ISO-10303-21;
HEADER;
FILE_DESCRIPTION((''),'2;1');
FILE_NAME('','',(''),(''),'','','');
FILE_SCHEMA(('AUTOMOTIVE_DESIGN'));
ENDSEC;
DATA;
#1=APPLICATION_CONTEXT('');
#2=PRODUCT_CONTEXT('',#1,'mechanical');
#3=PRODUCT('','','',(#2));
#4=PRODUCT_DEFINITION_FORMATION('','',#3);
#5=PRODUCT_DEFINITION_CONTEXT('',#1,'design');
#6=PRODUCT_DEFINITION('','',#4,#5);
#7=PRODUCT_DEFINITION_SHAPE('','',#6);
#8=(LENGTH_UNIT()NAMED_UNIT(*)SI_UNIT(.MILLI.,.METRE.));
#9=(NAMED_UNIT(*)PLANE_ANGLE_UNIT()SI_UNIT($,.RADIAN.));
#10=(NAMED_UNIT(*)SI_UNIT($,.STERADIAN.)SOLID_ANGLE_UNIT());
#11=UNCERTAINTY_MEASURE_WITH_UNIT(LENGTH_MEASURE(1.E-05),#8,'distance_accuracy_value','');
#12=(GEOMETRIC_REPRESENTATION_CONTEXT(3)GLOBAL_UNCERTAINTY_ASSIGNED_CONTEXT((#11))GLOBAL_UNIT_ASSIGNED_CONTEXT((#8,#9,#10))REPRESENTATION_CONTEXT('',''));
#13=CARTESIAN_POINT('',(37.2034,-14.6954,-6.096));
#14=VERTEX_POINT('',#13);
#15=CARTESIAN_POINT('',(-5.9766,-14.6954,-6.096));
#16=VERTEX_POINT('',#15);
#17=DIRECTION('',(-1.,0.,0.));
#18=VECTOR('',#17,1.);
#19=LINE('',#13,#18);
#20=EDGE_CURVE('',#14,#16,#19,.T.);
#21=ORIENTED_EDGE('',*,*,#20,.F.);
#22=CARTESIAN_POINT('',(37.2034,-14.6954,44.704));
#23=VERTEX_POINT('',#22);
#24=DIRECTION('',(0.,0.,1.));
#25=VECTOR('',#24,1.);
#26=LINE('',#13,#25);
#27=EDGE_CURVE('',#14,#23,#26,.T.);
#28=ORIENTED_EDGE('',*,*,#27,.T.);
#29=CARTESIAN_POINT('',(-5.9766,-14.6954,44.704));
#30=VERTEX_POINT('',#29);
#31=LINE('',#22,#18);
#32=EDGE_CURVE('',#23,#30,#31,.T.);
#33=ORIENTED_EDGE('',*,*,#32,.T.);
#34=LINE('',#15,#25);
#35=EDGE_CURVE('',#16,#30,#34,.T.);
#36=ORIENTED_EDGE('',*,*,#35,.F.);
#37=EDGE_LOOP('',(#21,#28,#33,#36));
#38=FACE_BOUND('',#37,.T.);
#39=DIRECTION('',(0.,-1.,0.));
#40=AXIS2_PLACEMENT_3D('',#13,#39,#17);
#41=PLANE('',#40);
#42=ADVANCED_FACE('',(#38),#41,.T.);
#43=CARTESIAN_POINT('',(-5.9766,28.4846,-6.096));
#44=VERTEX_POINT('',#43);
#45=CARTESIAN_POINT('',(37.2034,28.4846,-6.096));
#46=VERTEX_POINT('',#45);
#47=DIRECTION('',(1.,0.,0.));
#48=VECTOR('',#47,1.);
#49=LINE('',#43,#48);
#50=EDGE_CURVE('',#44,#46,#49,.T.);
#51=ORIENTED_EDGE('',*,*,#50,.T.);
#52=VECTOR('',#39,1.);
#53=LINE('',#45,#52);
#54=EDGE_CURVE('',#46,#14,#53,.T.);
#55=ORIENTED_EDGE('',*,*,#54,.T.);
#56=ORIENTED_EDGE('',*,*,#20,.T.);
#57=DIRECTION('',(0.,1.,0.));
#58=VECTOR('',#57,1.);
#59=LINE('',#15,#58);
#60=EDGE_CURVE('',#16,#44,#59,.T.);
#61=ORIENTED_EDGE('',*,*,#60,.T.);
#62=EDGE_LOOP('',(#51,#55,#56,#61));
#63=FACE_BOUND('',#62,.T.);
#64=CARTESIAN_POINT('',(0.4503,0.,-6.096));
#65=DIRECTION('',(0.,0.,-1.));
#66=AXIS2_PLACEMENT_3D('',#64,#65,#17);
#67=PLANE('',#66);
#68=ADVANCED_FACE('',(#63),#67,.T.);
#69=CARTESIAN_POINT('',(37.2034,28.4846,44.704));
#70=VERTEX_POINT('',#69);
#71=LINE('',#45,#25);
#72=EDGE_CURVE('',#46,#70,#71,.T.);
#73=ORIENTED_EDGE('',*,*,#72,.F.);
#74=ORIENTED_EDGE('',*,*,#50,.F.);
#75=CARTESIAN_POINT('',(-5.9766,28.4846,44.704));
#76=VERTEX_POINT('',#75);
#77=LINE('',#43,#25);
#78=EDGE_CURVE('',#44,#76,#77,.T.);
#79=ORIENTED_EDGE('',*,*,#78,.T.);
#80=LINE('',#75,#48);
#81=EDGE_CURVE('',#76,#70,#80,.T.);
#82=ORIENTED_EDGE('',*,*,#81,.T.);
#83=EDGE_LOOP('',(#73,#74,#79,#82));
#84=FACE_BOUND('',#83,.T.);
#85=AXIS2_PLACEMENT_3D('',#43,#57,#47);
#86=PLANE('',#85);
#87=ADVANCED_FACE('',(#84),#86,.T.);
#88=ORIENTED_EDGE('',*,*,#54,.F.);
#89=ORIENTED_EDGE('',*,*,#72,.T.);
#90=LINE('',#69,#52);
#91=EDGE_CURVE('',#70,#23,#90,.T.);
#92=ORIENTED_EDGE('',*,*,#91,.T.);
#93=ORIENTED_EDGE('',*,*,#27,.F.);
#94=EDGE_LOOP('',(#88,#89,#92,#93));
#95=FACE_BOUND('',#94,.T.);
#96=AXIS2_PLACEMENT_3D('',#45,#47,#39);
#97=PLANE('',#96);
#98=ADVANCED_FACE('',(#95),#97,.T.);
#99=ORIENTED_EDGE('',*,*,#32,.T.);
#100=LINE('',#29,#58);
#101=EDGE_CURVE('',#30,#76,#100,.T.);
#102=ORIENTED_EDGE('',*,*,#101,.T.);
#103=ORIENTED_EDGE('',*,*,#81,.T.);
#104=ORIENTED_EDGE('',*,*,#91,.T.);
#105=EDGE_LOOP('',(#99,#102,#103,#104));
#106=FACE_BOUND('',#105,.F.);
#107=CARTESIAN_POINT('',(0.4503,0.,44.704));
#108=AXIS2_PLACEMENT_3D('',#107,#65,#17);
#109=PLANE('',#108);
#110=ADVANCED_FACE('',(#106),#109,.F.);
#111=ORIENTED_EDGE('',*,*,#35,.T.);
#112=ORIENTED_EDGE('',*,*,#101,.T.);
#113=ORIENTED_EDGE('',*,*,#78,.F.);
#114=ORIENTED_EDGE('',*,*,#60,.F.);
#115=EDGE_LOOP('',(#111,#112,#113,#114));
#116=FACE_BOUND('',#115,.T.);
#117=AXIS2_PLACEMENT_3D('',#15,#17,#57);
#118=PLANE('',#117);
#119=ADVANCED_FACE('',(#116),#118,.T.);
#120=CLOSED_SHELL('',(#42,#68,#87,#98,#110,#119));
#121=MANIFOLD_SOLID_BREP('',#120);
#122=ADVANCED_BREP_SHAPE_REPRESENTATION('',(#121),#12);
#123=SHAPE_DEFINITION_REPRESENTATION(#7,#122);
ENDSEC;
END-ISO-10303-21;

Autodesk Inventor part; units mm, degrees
ref_plane "YZ Plane" through (0, 0, 0) normal (1, 0, 0) x (0, 1, 0)
ref_plane "XZ Plane" through (0, 0, 0) normal (0, 1, 0) x (-1, 0, 0)
ref_plane "XY Plane" through (0, 0, 0) normal (0, 0, 1) x (1, 0, 0)
ref_plane "Work Plane1" through (0.4503, 0, -6.096) normal (0, 0, -1) x (-1, 0, 0)
sketch "Sketch1" plane through (0.4503, 0, -6.096) normal (0, 0, -1) x (-1, 0, 0)
  line L0 (6.4269, 28.4846) -> (-36.7531, 28.4846)
  line L1 (-36.7531, 28.4846) -> (-36.7531, -14.6954)
  line L2 (-36.7531, -14.6954) -> (6.4269, -14.6954)
  line L3 (6.4269, -14.6954) -> (6.4269, 28.4846)
  line L4 (6.4269, 28.4846) -> (-36.7531, -14.6954) construction
  line L5 (-36.7531, 28.4846) -> (6.4269, -14.6954) construction
  point P0 (0.4503, 0)
  point P1 (-15.1631, 6.8946)
  dimension "d0" = 43.18
  dimension "d1" = 43.18
extrude "Extrusion1" add sketch "Sketch1" against normal blind 50.8
properties part number "X motor"
